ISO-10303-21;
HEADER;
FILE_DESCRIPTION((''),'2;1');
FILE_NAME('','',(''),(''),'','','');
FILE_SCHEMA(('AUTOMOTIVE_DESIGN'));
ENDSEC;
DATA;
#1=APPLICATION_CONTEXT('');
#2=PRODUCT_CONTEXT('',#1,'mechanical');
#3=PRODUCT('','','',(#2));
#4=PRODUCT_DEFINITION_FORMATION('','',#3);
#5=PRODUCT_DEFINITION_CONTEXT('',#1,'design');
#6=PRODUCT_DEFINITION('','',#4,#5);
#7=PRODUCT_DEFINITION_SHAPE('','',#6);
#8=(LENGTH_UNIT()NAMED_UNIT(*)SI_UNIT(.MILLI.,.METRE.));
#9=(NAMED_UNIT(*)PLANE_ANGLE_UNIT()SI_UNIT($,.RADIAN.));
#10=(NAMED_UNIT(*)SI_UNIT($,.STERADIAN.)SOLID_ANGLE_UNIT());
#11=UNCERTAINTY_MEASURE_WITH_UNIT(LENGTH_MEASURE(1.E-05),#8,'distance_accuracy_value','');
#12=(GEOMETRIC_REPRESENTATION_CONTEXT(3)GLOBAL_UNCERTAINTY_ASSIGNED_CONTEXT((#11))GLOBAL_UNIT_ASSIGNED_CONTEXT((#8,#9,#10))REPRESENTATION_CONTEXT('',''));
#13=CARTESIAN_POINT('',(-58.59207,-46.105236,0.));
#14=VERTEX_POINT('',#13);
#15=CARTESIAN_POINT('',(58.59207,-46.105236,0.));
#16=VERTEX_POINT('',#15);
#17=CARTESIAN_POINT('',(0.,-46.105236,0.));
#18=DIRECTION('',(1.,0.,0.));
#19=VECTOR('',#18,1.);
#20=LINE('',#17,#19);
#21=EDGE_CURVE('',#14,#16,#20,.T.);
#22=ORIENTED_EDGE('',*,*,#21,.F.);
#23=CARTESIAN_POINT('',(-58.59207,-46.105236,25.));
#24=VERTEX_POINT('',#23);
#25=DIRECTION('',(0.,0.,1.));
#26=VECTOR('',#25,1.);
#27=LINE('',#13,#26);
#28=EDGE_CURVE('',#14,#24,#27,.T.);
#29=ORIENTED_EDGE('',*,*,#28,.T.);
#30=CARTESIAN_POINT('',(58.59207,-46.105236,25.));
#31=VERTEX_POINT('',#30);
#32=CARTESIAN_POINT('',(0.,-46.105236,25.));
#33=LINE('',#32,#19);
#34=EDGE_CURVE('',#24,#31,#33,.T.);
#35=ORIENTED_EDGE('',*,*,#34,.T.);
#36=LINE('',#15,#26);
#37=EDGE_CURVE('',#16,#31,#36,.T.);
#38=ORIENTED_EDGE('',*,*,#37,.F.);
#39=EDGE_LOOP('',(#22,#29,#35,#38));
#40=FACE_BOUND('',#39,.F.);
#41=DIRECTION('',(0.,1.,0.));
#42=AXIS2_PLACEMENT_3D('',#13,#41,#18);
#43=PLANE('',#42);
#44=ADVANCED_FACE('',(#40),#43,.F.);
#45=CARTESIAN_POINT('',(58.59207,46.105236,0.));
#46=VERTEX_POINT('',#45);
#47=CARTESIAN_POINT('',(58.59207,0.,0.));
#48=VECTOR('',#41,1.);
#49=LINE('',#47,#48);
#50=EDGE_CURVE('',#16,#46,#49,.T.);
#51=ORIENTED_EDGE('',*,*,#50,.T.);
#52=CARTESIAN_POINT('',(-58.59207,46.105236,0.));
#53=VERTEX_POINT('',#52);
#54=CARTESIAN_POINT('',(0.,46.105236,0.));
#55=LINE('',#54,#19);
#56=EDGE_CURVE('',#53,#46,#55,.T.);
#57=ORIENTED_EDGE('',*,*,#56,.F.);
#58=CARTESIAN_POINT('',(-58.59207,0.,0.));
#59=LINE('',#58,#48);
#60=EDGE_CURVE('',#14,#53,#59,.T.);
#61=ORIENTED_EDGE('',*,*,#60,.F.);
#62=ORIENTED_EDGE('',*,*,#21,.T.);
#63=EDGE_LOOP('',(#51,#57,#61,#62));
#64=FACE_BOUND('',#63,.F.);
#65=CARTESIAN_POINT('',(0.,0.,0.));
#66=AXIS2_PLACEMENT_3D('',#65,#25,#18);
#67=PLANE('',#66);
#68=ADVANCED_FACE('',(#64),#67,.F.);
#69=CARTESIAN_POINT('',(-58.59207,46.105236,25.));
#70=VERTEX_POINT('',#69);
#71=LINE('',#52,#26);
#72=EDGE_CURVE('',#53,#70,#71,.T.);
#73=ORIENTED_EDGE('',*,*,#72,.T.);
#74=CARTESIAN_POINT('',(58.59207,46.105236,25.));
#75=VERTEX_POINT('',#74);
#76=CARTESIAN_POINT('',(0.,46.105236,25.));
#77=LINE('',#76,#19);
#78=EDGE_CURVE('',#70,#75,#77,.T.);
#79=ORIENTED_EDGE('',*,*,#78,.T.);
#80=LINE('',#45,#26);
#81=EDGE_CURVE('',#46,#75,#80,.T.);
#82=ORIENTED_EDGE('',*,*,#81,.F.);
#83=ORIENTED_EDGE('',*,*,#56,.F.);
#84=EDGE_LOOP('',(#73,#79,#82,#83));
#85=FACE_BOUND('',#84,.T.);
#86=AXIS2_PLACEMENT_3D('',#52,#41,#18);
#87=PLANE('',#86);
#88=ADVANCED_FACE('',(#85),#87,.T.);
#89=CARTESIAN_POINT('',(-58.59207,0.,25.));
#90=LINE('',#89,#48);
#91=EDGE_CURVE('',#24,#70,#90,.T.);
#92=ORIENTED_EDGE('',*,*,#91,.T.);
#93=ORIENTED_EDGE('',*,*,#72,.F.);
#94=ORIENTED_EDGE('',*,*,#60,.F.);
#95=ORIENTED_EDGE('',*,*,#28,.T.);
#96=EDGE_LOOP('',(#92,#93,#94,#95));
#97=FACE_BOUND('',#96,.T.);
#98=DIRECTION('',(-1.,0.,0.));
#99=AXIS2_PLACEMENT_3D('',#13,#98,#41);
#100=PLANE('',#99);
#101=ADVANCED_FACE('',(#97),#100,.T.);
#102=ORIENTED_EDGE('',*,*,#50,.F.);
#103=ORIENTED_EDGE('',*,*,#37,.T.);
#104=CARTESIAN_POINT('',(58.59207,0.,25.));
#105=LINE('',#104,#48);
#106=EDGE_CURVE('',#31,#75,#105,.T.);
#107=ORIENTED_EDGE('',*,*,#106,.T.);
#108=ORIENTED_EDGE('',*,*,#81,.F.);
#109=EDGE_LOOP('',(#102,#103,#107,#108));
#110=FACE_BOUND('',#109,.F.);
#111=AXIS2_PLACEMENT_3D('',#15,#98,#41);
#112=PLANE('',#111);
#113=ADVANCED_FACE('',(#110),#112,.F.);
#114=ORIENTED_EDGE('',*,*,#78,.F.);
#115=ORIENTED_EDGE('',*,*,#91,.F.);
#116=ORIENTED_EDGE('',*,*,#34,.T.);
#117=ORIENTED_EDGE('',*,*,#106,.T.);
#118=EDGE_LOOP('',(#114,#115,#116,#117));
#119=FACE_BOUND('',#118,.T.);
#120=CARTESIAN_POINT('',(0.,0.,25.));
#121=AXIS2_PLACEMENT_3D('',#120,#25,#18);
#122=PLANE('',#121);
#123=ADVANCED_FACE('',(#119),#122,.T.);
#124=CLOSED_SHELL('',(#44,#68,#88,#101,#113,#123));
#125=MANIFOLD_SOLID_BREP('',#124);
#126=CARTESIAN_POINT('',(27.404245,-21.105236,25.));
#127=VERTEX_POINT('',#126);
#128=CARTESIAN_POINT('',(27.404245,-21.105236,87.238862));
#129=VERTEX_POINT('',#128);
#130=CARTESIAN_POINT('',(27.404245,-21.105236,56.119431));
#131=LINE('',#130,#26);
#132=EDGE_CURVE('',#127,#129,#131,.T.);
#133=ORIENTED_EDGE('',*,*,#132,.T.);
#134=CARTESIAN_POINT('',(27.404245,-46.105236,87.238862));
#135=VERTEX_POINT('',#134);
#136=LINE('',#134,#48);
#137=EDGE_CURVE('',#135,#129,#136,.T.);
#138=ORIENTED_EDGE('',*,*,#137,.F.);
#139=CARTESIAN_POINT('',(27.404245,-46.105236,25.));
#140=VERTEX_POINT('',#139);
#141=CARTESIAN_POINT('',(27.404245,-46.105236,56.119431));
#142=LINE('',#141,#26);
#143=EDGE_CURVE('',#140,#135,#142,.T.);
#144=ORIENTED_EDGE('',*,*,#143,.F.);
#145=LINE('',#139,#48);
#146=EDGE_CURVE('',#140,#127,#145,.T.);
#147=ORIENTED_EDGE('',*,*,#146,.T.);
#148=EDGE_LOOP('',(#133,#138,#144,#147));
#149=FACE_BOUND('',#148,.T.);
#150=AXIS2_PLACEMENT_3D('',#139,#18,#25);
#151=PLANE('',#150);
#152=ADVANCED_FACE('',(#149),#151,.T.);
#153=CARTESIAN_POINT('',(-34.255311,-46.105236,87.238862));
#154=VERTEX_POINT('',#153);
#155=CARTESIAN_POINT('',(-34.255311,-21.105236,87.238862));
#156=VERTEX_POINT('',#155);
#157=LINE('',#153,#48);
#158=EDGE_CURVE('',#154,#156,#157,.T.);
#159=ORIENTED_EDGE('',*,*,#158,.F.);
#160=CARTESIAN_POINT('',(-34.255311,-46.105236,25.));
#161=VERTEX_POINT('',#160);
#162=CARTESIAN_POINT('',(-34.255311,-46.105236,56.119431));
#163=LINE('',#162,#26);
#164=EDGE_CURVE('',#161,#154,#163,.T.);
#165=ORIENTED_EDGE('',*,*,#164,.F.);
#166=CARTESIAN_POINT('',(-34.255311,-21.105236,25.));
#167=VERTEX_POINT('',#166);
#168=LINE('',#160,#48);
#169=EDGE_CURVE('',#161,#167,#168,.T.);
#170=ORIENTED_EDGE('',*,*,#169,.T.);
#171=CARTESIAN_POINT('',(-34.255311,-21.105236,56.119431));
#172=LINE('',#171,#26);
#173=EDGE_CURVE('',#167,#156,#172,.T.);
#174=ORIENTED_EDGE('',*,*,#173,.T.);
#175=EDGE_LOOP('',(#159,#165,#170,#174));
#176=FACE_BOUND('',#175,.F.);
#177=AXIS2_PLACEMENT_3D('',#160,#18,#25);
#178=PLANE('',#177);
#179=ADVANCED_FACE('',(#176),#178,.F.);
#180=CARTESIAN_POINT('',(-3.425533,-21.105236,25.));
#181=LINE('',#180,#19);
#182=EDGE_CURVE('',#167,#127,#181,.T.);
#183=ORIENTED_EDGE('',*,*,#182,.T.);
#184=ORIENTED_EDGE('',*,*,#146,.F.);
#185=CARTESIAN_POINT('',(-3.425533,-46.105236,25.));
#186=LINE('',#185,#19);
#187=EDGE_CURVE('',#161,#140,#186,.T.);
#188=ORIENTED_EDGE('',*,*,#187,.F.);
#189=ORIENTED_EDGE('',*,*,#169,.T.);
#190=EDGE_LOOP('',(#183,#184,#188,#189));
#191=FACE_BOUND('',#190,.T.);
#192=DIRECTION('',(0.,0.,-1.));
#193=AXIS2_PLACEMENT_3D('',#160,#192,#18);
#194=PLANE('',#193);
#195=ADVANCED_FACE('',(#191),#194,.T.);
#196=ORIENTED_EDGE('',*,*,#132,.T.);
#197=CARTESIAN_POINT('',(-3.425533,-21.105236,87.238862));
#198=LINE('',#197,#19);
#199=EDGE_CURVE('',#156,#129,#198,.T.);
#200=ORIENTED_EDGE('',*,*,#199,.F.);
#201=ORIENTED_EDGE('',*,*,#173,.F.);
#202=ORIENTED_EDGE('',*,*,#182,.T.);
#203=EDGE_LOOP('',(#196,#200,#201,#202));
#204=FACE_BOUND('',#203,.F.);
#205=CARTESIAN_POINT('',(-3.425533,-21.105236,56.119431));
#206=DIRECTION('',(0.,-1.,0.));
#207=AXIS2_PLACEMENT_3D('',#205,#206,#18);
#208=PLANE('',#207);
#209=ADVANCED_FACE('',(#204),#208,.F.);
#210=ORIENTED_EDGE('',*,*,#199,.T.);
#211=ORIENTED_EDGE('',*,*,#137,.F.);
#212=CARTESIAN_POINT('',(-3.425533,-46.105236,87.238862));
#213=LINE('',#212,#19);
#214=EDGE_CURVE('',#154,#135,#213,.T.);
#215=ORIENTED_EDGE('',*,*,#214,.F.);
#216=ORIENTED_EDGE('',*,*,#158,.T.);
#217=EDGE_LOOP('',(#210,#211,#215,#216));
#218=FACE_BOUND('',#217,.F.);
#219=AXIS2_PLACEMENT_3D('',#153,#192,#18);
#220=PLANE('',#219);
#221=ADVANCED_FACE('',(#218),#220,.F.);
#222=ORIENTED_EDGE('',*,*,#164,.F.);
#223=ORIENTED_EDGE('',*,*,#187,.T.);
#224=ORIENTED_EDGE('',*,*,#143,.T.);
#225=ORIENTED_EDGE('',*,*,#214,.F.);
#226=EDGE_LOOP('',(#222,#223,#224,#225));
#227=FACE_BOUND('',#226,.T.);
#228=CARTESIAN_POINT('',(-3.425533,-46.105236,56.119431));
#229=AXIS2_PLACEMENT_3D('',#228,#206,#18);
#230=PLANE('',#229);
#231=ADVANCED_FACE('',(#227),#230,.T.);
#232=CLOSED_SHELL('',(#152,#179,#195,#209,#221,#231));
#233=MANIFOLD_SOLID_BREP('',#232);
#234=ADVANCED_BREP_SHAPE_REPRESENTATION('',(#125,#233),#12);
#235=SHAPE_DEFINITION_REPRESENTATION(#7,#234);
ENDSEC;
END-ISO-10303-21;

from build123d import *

# Parameters (mm, degrees)
F0_W     = 117.18414
F0_H     = 92.210472
F1_DEPTH = 25
F2_W     = 61.659556
F2_H     = 62.238863
F3_DEPTH = 25


with BuildPart() as f1:
    # F0 (on Top) → F1 (new body)
    with BuildSketch(Plane.XY):
        Rectangle(F0_W, F0_H)
    extrude(amount=F1_DEPTH)


with BuildPart() as f3:
    # F2 (on face) → F3 (new body)
    with BuildSketch(Plane.XZ.offset(46.105236)):
        with Locations((-3.425533, 56.119431)):
            Rectangle(F2_W, F2_H)
    extrude(amount=-F3_DEPTH)


solid = Compound([f1.part, f3.part])
